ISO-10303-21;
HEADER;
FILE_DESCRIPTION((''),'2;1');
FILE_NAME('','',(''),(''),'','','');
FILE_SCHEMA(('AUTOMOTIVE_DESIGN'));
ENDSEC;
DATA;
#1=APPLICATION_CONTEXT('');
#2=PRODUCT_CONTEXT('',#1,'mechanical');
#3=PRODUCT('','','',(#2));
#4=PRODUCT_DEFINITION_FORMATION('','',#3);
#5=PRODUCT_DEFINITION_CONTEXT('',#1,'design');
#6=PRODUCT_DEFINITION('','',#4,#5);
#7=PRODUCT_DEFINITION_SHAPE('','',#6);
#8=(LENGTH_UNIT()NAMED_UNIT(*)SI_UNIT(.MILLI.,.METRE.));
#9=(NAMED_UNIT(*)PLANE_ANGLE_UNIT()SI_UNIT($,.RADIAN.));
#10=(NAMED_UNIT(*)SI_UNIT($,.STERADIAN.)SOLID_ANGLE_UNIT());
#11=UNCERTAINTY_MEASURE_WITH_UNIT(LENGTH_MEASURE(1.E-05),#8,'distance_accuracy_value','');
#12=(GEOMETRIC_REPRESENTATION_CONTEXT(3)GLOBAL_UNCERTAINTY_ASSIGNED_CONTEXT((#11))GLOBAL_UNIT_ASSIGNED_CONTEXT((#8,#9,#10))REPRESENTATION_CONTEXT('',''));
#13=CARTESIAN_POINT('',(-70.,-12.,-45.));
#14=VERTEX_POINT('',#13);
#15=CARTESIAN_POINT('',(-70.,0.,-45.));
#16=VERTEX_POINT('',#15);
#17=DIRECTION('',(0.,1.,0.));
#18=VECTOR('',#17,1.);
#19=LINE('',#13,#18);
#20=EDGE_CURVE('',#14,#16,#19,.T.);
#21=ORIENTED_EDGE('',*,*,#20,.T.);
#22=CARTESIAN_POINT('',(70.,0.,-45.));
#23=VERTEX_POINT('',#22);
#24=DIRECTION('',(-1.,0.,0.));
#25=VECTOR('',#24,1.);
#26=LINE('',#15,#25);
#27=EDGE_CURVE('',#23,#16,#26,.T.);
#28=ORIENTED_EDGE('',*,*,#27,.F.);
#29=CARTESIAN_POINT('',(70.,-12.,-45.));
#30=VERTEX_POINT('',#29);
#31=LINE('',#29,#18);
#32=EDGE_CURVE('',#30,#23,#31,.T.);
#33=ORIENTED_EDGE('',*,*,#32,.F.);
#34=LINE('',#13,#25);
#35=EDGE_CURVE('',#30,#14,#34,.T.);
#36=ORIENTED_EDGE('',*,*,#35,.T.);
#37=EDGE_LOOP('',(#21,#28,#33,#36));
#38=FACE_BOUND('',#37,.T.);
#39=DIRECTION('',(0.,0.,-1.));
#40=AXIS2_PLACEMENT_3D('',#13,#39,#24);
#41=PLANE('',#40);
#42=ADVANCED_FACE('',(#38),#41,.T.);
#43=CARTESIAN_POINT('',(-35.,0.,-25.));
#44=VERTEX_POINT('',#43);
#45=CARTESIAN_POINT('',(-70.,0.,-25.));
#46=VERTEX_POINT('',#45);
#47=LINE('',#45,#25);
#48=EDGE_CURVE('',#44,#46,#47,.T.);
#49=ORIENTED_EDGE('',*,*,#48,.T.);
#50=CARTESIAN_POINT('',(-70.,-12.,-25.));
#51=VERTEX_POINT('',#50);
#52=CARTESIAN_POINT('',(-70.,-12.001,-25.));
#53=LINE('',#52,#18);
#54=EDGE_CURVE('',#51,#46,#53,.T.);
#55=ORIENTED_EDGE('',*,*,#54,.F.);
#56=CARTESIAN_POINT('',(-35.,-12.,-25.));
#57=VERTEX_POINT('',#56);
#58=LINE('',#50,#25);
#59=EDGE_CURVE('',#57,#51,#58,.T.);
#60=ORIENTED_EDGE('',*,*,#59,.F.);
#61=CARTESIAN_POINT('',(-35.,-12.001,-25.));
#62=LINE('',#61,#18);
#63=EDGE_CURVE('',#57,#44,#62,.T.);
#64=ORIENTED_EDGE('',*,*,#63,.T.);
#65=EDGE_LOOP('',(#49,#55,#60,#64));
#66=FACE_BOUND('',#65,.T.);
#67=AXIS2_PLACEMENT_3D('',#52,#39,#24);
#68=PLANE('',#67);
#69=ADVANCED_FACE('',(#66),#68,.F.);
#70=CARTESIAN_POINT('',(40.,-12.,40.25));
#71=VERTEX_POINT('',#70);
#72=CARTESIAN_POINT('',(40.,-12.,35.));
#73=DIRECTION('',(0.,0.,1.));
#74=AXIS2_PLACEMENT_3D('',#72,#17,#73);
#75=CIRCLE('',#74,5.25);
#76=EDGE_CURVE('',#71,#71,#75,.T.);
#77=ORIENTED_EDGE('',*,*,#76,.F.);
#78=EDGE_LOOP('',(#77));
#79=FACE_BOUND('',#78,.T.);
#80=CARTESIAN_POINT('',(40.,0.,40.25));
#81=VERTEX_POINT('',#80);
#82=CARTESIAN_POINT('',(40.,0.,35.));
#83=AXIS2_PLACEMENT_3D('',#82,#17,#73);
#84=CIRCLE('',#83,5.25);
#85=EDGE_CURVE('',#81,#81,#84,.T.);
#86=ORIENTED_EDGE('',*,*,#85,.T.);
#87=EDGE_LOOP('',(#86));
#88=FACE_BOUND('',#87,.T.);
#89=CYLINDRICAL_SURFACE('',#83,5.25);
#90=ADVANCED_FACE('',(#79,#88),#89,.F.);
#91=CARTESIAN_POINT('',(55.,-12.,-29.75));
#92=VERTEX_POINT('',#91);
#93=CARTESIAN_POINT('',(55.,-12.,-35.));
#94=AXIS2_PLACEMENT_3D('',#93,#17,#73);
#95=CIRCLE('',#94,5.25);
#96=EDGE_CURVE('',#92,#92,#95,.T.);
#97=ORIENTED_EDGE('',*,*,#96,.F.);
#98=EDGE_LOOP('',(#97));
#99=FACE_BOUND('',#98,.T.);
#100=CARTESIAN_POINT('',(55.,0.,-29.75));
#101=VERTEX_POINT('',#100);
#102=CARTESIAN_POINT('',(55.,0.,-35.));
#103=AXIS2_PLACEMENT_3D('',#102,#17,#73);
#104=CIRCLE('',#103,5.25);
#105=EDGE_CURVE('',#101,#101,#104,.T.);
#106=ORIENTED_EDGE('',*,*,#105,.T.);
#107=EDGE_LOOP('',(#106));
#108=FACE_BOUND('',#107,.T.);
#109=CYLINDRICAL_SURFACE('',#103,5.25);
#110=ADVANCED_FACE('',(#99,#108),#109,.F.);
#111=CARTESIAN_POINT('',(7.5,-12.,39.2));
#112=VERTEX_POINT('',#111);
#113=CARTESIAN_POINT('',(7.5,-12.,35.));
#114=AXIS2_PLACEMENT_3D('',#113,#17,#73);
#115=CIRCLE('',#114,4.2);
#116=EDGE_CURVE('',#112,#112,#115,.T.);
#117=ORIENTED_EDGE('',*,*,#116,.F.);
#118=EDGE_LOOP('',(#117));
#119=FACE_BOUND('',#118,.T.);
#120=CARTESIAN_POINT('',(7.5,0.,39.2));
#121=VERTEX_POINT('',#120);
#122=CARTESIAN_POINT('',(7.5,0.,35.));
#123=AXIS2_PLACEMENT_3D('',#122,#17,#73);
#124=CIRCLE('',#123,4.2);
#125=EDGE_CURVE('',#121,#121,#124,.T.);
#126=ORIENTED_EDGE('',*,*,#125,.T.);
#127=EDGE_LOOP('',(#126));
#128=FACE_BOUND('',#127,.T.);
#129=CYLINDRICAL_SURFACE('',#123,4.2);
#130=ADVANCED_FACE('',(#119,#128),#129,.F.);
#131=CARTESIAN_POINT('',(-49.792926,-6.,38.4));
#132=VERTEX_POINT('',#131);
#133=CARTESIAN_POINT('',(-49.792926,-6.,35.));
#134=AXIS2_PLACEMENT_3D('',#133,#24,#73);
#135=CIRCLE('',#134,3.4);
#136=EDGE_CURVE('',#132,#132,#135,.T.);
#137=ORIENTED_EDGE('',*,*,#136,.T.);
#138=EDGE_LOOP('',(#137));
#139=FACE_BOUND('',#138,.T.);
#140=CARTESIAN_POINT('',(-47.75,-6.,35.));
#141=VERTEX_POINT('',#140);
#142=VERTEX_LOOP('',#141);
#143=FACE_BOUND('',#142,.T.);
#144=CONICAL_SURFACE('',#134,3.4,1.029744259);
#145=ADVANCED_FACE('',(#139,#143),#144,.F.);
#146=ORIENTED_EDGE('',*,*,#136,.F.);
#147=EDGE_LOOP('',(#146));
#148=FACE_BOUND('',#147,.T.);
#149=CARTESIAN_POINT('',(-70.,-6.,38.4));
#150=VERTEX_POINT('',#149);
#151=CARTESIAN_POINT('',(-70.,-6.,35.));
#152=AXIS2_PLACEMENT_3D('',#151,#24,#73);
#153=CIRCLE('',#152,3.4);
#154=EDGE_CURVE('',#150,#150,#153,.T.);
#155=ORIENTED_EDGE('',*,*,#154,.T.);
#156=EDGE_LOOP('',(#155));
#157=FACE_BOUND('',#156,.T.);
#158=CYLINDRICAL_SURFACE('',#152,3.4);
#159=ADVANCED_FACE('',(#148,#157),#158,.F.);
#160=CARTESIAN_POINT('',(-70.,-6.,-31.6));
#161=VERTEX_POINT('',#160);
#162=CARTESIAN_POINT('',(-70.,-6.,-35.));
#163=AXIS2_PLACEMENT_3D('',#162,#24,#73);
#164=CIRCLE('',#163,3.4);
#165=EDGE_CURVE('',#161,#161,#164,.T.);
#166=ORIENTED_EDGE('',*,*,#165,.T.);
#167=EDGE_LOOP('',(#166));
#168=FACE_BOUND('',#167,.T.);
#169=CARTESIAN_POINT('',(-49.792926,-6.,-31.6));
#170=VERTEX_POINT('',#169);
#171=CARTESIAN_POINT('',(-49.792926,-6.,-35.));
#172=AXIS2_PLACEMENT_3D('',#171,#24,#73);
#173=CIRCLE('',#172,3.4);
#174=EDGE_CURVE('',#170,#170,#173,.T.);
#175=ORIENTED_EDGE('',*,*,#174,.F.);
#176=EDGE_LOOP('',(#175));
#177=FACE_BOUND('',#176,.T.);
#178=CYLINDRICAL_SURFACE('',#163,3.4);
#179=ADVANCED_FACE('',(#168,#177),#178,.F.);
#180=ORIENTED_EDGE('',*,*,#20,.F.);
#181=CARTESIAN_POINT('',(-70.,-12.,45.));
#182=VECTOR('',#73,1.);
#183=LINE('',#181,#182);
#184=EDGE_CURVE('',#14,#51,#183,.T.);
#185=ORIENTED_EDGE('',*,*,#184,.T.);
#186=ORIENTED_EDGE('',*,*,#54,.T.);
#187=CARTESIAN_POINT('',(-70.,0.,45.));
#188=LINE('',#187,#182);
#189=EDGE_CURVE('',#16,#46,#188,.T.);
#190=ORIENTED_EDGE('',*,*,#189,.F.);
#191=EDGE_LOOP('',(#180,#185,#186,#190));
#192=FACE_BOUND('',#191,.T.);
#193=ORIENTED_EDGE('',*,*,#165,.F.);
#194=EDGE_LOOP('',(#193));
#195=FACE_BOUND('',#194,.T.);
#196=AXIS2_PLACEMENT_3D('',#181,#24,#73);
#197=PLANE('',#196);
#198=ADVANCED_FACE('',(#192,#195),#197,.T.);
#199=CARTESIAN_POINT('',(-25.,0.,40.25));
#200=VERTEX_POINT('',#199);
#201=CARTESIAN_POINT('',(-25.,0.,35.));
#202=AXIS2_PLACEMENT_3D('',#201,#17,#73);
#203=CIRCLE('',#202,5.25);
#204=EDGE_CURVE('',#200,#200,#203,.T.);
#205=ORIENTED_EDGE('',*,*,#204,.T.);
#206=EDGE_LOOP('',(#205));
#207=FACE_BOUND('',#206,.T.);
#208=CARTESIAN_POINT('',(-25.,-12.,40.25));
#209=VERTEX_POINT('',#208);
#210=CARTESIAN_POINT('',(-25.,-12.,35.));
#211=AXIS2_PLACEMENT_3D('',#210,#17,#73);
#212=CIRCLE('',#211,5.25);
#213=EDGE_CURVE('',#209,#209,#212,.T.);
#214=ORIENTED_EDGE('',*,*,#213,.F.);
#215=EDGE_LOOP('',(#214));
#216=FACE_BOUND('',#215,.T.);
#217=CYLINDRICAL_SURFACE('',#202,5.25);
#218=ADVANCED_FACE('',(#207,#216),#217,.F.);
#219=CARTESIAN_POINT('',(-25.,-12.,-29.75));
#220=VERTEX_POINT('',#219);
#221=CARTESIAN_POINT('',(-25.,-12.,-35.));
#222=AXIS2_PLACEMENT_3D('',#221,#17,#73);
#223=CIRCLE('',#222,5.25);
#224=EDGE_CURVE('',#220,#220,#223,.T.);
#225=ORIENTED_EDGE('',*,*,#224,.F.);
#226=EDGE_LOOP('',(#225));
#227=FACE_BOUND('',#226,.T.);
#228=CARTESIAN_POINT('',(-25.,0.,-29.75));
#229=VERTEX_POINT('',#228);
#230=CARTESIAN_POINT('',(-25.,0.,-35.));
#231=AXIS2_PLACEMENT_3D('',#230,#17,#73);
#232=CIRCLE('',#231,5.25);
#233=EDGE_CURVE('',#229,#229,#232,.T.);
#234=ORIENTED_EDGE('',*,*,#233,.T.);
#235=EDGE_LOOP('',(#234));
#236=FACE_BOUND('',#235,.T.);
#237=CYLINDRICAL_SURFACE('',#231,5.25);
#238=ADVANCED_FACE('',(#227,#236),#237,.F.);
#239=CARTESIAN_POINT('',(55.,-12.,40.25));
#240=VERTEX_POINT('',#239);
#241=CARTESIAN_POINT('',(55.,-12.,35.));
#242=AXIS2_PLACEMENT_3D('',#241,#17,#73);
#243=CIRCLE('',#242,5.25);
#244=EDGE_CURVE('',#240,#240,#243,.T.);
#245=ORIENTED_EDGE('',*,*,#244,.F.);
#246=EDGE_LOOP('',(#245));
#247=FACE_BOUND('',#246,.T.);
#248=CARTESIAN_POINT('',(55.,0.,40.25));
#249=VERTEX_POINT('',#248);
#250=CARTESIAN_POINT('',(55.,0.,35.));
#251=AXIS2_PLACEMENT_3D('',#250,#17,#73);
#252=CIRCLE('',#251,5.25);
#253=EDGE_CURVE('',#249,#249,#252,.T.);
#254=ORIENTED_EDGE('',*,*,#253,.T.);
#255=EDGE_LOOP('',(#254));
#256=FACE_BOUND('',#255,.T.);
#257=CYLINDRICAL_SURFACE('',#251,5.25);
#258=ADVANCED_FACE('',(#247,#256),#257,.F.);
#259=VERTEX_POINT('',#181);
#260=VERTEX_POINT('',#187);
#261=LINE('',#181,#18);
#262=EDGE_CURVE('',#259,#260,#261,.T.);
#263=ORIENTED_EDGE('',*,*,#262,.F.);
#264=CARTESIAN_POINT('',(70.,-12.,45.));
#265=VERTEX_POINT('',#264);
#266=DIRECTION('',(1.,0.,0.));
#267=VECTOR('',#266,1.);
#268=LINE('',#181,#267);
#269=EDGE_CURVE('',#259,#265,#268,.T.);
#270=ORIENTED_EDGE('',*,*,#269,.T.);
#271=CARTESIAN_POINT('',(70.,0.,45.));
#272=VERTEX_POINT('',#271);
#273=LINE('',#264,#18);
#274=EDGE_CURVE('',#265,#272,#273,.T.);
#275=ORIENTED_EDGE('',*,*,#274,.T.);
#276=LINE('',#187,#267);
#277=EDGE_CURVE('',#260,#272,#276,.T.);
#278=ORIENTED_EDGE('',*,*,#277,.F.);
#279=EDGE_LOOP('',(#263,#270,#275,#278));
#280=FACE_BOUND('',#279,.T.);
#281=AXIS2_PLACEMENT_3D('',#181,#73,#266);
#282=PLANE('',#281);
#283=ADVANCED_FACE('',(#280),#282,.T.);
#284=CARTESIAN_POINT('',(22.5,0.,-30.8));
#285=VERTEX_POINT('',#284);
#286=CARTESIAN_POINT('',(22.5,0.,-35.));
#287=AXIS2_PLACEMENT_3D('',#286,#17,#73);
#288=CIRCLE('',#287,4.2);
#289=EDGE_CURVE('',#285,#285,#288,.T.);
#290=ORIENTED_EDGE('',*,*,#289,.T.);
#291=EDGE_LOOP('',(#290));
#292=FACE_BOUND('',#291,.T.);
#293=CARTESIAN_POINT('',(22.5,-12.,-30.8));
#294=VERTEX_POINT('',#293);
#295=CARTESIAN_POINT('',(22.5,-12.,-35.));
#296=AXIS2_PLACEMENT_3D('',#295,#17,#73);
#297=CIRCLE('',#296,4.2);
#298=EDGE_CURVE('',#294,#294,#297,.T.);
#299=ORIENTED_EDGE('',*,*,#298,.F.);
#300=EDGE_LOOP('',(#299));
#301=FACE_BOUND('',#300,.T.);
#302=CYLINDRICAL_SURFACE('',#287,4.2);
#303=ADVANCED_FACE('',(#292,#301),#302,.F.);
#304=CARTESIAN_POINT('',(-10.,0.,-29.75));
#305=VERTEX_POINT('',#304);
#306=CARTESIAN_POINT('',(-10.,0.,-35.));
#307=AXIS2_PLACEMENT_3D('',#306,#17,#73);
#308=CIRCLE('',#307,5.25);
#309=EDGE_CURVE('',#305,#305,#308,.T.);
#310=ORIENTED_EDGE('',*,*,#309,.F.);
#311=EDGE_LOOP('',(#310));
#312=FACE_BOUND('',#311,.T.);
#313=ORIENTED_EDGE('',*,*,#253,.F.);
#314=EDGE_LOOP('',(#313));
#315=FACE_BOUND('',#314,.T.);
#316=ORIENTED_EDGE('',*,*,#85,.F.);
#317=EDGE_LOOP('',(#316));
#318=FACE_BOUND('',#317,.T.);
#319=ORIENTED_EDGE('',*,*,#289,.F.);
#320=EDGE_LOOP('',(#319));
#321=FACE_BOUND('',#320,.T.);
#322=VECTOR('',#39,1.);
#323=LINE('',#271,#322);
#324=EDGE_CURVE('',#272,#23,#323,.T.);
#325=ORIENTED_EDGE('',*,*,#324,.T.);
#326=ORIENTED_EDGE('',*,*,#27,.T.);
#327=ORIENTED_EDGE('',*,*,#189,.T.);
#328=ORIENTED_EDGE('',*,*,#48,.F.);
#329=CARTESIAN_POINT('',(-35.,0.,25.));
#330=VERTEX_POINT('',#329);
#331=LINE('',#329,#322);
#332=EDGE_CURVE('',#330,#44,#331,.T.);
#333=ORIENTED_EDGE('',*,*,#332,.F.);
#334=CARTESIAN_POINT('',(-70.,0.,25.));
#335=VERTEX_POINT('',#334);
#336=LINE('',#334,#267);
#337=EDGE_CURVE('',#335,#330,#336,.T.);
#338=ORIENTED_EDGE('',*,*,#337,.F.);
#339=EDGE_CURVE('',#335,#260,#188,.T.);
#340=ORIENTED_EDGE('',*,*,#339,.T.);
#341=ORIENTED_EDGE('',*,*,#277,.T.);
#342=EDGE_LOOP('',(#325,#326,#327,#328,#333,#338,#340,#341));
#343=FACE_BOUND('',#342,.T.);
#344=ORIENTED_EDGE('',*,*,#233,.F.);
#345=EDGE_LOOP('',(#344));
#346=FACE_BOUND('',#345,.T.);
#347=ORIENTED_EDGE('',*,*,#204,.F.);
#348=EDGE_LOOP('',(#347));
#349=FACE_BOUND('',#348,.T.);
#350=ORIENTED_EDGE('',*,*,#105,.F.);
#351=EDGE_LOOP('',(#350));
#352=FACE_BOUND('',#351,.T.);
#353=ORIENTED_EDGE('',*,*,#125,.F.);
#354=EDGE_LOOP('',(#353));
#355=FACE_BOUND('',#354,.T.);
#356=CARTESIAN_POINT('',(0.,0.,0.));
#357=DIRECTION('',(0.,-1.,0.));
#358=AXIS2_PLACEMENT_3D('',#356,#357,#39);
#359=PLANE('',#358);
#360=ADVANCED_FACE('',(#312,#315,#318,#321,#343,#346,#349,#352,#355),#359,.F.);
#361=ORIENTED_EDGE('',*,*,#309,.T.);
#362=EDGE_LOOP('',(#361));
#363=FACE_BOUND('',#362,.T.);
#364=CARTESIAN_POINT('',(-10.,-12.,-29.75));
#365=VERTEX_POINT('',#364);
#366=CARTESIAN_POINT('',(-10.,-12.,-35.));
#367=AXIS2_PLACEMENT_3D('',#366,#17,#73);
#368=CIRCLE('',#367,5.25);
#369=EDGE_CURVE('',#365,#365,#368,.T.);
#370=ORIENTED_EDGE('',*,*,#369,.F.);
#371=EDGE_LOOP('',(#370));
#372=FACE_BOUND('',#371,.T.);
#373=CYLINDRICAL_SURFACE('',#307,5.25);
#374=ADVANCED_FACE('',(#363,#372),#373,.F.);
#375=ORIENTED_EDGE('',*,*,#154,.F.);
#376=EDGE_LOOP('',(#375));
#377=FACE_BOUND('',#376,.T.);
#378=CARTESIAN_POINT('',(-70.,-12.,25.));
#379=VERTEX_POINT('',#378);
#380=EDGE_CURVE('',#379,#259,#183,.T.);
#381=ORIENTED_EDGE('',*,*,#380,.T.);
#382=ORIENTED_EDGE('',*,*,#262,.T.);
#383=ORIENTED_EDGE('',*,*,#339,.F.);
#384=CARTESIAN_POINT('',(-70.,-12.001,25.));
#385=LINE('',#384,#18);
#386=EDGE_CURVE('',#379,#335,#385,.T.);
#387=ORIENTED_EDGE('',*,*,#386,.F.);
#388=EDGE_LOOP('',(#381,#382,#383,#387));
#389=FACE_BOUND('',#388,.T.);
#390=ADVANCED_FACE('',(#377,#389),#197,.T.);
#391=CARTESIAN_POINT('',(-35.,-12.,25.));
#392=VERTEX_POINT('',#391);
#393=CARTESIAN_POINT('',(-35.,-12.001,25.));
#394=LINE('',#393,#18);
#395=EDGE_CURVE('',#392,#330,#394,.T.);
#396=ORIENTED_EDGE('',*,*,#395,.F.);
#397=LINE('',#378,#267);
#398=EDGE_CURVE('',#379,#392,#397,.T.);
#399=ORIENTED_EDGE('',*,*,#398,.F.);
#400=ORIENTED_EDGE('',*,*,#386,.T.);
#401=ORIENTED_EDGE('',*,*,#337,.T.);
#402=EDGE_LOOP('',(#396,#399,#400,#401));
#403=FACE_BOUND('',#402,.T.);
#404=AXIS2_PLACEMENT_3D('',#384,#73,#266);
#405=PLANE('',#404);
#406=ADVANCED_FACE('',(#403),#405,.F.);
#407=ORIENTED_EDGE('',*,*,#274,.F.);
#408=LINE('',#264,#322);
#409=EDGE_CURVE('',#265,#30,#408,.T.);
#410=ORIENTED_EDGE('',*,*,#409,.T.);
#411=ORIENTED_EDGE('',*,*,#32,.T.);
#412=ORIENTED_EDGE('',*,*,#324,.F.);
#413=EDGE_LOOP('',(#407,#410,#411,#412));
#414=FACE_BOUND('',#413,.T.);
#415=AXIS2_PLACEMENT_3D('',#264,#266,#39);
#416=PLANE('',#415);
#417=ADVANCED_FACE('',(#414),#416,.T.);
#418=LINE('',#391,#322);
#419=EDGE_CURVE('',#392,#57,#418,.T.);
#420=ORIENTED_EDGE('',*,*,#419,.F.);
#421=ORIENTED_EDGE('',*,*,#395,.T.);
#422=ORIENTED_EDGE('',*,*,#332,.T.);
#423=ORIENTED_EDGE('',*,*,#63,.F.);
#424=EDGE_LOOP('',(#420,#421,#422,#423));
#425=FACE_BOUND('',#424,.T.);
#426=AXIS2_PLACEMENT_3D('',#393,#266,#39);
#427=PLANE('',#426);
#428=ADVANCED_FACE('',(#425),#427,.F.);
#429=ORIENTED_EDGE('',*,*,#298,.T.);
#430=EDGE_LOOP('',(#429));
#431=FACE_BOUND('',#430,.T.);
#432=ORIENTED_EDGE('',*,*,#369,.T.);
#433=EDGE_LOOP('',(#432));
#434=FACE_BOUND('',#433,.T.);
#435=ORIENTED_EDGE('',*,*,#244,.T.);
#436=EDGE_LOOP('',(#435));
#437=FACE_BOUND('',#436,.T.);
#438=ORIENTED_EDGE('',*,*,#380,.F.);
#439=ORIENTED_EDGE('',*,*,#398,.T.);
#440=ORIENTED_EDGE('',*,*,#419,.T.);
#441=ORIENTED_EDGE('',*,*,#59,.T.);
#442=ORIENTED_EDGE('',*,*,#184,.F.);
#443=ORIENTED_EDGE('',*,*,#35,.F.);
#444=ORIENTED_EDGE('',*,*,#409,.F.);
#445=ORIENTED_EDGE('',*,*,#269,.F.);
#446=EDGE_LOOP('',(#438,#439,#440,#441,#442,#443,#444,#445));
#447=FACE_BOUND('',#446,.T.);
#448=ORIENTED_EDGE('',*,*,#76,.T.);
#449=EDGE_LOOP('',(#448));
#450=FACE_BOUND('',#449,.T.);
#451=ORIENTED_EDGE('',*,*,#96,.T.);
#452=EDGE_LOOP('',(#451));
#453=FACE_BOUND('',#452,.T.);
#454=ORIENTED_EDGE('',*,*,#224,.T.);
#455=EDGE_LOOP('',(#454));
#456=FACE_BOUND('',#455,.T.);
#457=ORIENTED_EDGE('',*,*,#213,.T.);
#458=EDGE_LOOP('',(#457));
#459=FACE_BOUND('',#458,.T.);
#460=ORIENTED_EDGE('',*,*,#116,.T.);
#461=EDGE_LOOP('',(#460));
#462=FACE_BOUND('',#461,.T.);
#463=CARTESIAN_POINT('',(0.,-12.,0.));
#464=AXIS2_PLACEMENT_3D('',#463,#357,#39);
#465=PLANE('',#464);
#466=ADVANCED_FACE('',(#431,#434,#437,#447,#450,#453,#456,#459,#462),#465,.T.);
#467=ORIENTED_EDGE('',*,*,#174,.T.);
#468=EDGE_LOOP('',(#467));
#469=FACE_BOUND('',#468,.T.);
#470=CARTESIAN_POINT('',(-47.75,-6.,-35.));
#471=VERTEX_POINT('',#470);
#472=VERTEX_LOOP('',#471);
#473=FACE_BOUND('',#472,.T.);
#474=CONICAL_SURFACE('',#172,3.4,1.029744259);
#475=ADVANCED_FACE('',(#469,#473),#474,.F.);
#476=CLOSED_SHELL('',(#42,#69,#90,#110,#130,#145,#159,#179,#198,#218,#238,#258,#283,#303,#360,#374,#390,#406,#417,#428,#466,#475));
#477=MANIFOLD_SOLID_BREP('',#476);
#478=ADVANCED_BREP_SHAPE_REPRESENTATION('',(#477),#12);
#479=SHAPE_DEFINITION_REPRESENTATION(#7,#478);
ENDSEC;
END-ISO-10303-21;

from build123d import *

# Parameters (mm, degrees)
SKETCH1_W                    = 140
SKETCH1_H                    = 90
BOSS_EXTRUDE1_DEPTH          = 12
CUT_EXTRUDE1_REACH           = 86.077
SKETCH2_W                    = 35
SKETCH2_H                    = 50
M10_CLEARANCE_HOLE1_D        = 10.5
F_10_5_10_5_DIAMETER_HOLE1_D = 10.5
M8_TAPPED_HOLE1_D            = 6.8
M8_TAPPED_HOLE1_DEPTH        = 20.207073895
M8_TAPPED_HOLE1_TIP          = 2.042926105
M8_CLEARANCE_HOLE1_D         = 8.4


with BuildPart() as part:
    # Sketch1 → Boss-Extrude1 (new body)
    with BuildSketch(Plane(origin=(0, 0, 0), x_dir=(1, 0, 0), z_dir=(0, 1, 0))):
        Rectangle(SKETCH1_W, SKETCH1_H)
    extrude(amount=-BOSS_EXTRUDE1_DEPTH)

    # Sketch2 → Cut-Extrude1 (cut, up to next)
    with BuildSketch(Plane(origin=(0, 0, 0), x_dir=(1, 0, 0), z_dir=(0, 1, 0)), mode=Mode.PRIVATE) as cut_extrude1_sk1:
        with Locations((-52.5, 0)):
            Rectangle(SKETCH2_W, SKETCH2_H)
    cut_extrude1_tool1 = extrude(cut_extrude1_sk1.sketch, amount=-CUT_EXTRUDE1_REACH, mode=Mode.PRIVATE) & part.part
    add(cut_extrude1_tool1.solids().sort_by_distance((-52.5, 0, 0))[0], mode=Mode.SUBTRACT)

    # M10 Clearance Hole1 (through all)
    with Locations(Plane(origin=(0, 0, 0), x_dir=(1, 0, 0), z_dir=(0, 1, 0))):
        with Locations((-10, 35), (55, 35), (40, -35), (-25, -35)):
            Hole(M10_CLEARANCE_HOLE1_D / 2)

    # Ø10.5 (10.5) Diameter Hole1 (through all)
    with Locations(Plane(origin=(0, 0, 0), x_dir=(1, 0, 0), z_dir=(0, 1, 0))):
        with Locations((-25, 35), (55, -35)):
            Hole(F_10_5_10_5_DIAMETER_HOLE1_D / 2)

    # M8 Tapped Hole1
    with Locations(Plane.ZY.offset(70)):
        with Locations((35, -6), (-35, -6)):
            Hole(M8_TAPPED_HOLE1_D / 2, depth=M8_TAPPED_HOLE1_DEPTH)
            with Locations((0, 0, -(M8_TAPPED_HOLE1_DEPTH + M8_TAPPED_HOLE1_TIP / 2))):  # 118° drill point
                Cone(0, M8_TAPPED_HOLE1_D / 2, M8_TAPPED_HOLE1_TIP, mode=Mode.SUBTRACT)

    # M8 Clearance Hole1 (through all)
    with Locations(Plane(origin=(0, 0, 0), x_dir=(1, 0, 0), z_dir=(0, 1, 0))):
        with Locations((22.5, 35), (7.5, -35)):
            Hole(M8_CLEARANCE_HOLE1_D / 2)


solid = part.part
